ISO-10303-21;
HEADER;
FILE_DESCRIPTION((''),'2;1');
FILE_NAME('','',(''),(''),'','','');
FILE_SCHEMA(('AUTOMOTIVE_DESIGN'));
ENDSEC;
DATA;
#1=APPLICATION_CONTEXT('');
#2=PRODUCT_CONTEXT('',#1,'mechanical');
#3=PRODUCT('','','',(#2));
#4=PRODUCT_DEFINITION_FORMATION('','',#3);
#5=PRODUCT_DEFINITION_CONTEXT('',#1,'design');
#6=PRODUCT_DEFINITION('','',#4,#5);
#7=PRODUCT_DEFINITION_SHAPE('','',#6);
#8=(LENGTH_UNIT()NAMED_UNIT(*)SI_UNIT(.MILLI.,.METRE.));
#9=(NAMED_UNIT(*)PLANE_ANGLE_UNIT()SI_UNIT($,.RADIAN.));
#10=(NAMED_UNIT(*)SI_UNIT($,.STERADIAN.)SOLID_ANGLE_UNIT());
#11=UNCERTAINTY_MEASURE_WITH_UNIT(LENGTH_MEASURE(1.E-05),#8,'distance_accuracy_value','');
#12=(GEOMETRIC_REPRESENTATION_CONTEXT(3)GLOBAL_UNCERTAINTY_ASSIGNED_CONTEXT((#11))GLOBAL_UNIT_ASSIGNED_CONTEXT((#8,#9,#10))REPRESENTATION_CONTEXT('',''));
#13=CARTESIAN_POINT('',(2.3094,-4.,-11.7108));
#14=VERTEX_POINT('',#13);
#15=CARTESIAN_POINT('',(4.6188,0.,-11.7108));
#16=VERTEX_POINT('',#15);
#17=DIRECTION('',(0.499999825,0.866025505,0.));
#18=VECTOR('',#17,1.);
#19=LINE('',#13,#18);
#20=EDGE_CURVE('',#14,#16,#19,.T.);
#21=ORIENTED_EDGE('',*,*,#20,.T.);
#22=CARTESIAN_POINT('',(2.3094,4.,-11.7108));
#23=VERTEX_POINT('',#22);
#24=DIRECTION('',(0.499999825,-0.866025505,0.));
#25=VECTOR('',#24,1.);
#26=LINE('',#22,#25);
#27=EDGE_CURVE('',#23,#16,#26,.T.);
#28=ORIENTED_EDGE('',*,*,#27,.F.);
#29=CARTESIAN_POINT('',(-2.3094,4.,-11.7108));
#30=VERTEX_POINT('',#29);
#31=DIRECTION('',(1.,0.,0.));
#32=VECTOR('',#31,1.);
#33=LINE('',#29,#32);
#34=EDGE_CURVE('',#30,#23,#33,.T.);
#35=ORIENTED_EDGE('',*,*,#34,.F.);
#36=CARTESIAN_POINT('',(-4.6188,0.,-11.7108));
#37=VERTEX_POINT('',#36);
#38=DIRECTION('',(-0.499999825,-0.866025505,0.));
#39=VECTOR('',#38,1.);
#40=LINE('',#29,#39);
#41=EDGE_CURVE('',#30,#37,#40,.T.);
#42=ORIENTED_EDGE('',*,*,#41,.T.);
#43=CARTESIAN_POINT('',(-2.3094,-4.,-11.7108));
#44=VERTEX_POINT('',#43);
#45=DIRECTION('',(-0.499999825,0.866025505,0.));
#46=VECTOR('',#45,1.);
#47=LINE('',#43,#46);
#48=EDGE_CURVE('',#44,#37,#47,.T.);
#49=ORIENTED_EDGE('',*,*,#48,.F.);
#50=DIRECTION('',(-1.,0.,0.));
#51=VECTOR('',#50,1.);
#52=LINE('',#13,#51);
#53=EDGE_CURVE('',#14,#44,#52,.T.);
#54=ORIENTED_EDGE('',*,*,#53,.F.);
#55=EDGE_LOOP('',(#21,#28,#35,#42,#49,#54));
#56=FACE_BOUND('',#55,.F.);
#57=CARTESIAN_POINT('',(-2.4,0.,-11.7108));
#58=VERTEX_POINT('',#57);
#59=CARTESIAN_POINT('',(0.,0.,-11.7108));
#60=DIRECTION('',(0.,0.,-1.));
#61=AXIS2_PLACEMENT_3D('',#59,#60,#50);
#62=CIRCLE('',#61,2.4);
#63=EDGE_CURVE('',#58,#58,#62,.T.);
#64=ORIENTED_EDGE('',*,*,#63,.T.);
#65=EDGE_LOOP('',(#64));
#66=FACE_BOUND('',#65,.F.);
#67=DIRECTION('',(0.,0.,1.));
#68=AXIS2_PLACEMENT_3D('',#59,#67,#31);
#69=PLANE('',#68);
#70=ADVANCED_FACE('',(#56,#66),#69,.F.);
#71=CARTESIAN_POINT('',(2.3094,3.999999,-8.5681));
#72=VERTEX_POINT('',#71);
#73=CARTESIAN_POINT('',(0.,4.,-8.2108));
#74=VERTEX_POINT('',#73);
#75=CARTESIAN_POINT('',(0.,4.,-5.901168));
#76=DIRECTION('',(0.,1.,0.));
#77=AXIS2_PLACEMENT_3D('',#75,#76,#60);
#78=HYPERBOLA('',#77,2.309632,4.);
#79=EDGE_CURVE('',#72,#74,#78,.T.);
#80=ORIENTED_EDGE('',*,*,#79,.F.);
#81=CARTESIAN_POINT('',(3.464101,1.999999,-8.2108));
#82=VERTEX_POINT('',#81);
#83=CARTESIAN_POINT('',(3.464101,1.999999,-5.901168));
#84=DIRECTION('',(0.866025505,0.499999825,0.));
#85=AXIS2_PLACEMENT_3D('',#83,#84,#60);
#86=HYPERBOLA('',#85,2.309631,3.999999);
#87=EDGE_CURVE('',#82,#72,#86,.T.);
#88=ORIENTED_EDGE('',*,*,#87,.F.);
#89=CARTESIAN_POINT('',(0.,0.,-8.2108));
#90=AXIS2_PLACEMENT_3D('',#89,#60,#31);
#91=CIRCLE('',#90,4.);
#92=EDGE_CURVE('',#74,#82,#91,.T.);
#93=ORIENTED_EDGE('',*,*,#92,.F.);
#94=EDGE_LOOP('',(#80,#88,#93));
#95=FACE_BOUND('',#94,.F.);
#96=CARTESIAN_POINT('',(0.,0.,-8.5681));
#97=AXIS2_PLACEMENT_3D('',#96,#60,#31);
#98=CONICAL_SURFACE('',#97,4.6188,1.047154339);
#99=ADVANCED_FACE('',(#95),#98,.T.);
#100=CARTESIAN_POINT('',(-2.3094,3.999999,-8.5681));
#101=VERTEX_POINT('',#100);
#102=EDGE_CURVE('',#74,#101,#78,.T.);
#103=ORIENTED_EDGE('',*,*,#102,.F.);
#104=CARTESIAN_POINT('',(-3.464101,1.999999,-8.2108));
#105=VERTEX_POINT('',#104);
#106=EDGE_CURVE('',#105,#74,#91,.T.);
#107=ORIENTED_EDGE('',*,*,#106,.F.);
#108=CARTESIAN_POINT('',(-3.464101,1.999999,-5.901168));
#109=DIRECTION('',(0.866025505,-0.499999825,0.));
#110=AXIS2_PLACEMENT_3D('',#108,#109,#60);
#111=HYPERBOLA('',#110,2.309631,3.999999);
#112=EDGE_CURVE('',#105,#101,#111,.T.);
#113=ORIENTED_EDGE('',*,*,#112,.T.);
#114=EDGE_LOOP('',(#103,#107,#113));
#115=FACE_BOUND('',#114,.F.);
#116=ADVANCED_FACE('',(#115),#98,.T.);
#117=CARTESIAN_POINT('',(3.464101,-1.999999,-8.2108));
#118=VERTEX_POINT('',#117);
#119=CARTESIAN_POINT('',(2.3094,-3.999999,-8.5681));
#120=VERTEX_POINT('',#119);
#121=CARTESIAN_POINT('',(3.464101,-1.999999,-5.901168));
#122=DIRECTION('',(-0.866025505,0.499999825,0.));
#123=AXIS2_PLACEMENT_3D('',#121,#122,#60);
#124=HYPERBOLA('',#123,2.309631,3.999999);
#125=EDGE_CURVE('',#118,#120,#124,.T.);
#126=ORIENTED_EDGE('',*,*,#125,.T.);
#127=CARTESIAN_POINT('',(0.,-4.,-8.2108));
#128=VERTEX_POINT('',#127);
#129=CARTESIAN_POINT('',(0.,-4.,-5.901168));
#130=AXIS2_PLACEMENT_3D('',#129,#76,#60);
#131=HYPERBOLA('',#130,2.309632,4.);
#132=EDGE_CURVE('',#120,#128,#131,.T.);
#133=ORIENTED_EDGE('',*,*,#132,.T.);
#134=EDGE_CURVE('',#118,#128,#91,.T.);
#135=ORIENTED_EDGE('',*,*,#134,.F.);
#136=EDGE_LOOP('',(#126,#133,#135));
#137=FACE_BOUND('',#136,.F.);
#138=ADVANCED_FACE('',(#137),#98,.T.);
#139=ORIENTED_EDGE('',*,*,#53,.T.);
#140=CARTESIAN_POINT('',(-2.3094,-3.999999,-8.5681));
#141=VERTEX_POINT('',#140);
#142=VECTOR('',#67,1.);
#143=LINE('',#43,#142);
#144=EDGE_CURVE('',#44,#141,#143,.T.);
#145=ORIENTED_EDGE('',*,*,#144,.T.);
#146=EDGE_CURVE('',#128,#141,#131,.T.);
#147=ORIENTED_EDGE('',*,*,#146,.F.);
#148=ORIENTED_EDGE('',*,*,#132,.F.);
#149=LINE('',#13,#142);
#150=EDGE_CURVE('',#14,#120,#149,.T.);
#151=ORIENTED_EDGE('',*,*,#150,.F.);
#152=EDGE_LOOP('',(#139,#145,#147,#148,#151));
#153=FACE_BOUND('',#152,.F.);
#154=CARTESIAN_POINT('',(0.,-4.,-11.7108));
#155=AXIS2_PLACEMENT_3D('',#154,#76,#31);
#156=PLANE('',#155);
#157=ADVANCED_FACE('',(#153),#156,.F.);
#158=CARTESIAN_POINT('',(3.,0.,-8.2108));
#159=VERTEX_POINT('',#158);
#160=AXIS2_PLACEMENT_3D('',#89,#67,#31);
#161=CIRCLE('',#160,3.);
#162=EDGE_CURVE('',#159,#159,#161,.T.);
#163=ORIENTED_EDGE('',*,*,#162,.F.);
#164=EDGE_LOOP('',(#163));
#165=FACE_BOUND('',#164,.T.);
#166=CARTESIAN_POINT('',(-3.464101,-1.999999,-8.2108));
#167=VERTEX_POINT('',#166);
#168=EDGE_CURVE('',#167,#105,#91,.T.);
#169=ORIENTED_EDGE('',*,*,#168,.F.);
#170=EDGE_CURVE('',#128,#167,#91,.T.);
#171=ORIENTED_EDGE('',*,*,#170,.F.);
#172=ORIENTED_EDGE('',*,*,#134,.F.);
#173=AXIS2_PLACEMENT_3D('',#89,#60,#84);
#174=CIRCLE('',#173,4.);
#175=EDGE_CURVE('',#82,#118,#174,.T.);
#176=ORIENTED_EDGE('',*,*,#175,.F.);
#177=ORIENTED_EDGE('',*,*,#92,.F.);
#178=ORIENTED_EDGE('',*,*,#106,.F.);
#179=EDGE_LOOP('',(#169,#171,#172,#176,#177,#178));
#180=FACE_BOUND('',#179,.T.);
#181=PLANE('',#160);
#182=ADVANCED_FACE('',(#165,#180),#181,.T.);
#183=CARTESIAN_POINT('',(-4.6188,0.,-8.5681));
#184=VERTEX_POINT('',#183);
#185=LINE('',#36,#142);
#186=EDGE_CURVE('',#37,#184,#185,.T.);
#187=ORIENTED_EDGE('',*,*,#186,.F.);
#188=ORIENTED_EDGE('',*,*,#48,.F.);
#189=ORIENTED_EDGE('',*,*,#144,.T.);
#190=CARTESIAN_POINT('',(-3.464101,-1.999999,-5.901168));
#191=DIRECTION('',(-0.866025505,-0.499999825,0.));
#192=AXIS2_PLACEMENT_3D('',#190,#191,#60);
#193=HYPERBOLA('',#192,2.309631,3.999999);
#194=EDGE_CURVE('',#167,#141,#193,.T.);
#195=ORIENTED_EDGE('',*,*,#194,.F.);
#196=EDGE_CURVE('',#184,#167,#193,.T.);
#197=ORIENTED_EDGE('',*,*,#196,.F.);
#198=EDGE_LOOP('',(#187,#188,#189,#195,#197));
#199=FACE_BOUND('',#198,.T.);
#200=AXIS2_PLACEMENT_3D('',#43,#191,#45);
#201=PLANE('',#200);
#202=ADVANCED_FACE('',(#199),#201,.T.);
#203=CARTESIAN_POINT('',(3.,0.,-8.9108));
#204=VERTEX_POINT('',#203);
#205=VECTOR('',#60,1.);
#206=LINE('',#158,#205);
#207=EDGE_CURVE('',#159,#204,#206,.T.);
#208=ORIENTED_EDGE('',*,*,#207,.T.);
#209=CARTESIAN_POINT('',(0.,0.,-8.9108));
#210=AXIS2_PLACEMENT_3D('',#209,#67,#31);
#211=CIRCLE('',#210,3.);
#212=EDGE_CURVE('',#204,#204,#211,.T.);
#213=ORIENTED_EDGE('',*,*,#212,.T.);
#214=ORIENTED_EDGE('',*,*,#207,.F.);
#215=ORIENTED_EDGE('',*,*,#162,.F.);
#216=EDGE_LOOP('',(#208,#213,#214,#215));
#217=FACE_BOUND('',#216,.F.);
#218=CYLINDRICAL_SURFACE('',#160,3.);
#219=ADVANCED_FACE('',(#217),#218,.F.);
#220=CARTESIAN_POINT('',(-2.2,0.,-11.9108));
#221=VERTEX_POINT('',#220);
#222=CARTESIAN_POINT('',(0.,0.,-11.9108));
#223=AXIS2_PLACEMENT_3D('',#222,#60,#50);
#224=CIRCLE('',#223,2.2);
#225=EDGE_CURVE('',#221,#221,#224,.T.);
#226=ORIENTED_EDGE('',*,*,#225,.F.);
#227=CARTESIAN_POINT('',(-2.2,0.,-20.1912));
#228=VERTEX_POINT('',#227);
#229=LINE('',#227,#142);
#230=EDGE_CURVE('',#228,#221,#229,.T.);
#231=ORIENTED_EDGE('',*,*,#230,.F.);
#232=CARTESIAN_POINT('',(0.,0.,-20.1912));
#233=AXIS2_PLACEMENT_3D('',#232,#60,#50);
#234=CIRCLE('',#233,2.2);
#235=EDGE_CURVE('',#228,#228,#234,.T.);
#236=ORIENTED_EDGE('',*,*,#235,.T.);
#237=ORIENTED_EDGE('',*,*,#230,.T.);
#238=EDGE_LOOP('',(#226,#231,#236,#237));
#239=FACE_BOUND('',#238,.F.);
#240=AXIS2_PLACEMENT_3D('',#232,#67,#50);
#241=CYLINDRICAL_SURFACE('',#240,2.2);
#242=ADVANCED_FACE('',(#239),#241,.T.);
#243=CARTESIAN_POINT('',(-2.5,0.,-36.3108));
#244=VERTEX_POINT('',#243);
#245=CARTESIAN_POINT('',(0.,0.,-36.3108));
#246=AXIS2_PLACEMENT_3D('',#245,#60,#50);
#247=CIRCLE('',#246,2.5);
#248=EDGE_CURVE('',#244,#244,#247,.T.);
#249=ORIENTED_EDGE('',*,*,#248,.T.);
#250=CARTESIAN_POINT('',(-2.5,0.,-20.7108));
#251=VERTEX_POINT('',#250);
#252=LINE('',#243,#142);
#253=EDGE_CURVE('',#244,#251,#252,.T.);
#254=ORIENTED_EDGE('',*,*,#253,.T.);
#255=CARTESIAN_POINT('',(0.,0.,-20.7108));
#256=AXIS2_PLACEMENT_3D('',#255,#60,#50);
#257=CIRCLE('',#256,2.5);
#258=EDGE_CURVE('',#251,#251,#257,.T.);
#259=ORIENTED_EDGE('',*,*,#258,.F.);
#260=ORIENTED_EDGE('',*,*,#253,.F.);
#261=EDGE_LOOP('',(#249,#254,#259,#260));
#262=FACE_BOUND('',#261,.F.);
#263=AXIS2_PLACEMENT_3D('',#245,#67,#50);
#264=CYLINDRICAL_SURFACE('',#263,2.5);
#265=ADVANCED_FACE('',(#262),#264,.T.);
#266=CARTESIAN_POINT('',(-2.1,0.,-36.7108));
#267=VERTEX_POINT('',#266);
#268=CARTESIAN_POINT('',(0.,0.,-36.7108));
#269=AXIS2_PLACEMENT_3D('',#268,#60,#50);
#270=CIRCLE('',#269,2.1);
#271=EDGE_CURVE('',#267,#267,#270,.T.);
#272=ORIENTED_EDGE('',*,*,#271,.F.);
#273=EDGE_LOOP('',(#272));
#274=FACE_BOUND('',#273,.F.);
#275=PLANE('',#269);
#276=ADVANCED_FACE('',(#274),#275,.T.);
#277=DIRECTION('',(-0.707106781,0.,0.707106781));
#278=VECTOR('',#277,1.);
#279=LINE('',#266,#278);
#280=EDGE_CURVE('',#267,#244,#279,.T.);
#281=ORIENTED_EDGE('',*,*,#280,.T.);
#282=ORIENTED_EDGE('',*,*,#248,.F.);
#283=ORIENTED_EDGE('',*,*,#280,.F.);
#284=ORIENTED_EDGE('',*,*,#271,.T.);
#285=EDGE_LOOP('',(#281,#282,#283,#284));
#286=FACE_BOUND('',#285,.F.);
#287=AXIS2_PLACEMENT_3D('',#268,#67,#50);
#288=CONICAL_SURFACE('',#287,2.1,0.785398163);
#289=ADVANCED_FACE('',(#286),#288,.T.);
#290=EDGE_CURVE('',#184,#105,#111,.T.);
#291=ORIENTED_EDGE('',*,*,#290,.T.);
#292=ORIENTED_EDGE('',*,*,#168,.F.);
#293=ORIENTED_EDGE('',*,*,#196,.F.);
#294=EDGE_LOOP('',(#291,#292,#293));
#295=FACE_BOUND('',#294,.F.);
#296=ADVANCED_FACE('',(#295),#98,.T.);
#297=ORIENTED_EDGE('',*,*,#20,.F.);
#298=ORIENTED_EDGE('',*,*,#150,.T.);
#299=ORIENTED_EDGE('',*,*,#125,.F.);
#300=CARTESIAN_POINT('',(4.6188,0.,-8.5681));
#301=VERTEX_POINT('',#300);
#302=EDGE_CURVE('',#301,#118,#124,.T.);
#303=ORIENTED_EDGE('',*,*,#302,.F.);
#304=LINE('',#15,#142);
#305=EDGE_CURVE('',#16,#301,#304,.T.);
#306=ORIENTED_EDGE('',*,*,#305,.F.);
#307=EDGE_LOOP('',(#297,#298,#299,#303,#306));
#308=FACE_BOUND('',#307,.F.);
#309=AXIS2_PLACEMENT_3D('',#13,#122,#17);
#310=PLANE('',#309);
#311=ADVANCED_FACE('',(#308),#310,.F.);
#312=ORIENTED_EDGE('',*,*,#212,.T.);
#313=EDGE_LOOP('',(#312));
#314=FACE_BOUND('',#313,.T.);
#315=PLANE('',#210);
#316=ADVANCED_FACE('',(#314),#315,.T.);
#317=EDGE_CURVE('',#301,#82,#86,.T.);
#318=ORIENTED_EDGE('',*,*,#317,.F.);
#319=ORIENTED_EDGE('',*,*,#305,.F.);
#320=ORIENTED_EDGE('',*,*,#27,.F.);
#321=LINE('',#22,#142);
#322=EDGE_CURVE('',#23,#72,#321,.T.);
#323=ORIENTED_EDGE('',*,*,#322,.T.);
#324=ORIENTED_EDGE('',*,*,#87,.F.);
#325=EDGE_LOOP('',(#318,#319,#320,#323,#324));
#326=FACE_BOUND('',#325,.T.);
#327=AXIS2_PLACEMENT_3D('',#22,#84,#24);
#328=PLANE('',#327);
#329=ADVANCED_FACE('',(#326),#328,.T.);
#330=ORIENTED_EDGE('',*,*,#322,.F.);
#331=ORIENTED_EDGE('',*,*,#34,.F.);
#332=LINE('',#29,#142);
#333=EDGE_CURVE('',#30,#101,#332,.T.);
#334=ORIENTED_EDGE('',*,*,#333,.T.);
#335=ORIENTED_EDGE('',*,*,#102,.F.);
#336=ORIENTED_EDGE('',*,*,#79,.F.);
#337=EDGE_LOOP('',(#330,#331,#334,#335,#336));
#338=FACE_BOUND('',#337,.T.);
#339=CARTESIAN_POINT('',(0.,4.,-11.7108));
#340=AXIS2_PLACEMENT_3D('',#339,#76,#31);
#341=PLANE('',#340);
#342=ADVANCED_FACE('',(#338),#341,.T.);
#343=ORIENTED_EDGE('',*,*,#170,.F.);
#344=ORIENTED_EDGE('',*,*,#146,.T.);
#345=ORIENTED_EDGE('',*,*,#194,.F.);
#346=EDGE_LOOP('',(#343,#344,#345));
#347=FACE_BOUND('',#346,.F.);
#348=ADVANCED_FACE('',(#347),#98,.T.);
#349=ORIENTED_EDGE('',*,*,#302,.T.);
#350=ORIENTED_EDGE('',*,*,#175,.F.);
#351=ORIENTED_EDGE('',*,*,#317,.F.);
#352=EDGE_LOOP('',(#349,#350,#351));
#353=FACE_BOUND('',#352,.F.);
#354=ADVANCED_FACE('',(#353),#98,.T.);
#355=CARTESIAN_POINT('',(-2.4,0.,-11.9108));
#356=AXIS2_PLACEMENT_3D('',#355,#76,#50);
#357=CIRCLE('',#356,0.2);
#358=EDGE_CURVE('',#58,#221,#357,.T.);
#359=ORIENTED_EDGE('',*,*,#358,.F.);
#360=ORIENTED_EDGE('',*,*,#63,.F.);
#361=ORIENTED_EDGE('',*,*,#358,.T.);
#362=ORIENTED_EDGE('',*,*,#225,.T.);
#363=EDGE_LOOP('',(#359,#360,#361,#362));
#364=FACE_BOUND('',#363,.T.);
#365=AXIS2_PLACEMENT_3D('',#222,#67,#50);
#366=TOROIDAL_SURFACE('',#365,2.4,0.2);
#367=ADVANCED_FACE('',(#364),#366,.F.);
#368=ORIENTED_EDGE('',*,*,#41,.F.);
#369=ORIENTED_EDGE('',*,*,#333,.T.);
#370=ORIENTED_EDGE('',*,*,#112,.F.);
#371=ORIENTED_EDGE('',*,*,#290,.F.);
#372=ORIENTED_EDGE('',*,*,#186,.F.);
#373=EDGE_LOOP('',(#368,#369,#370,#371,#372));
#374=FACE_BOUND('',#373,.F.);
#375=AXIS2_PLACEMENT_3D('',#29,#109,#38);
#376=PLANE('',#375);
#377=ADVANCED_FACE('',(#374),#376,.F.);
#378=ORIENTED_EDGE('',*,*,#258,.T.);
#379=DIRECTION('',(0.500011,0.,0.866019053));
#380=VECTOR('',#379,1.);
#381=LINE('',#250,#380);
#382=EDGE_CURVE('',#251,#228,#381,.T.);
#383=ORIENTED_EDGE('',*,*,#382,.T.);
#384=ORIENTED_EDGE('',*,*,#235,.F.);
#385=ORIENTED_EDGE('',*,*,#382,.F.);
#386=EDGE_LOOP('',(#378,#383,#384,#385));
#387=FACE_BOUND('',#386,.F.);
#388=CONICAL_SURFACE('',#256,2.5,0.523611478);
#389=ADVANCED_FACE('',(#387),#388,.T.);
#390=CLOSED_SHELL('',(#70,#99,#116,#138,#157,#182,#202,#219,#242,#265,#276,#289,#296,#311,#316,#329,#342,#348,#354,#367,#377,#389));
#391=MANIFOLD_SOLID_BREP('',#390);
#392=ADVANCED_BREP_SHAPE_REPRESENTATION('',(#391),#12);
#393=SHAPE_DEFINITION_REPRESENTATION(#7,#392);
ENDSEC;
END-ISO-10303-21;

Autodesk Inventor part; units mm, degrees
ref_plane "YZ Plane" through (0, 0, 0) normal (1, 0, 0) x (0, 1, 0)
sketch "Sketch2" plane through (0, 0, 0) normal (0, 1, 0) x (-1, 0, 0)
  line L0 (0, -11.7108) -> (0, -36.7108)
  line L1 (0, -36.7108) -> (2.1, -36.7108)
  line L2 (2.5, -36.3108) -> (2.5, -20.7108)
  line L3 (2.5, -20.7108) -> (2.2, -20.1912)
  line L4 (2.2, -20.1912) -> (2.2, -11.7108)
  line L5 (2.2, -11.7108) -> (0, -11.7108)
  line L6 (2.1, -36.7108) -> (2.5, -36.3108)
  line L7 (2.5, -36.7108) -> (2.5, -37.2765)
  line L8 (0, -42.3897) -> (0, -6.5977) projected
  dimension "Ds" = 4.4
  dimension "NND" = 5
  dimension "b" = 16
  dimension "d3" = 30
  dimension "d5" = 45
  dimension "PTC" = 0.8
  dimension "NLG" = 25
revolve "Revolution1" add sketch "Sketch2" angle 360 about axis through (0, 0, -11.7108) along (0, 0, -1)
sketch "Sketch3" plane through (0, 0, -11.7108) normal (0, 0, 1) x (1, 0, 0)
  circle A0 centre (0, 0) radius 2.2 projected
  line L0 (0, 4) -> (2.3094, 4)
  line L1 (2.3094, 4) -> (4.6188, 0)
  line L2 (4.6188, 0) -> (0, 0)
  line L3 (0, 0) -> (0, 4)
  line L4 (0, 4) -> (-2.3094, 4)
  line L5 (-2.3094, 4) -> (-4.6188, 0)
  line L6 (0, -4) -> (2.3094, -4)
  line L7 (2.3094, -4) -> (4.6188, 0)
  line L8 (-2.3094, -4) -> (-4.6188, 0)
  line L9 (0, -4) -> (-2.3094, -4)
  dimension "d9" = 60
  dimension "ParS" = 8
  dimension "msp_d11" = 8
extrude "Extrusion1" add sketch "Sketch3" along normal blind 3.5
sketch "Sketch4" plane through (0, 0, 0) normal (0, 1, 0) x (-1, 0, 0)
  line L0 (-4, -8.2108) -> (-4.6188, -8.2108)
  line L1 (-4.6188, -8.2108) -> (-4.6188, -8.5681)
  line L2 (-4.6188, -8.5681) -> (-4, -8.2108)
  line L3 (0, -19.5602) -> (0, 35.3854) projected
  line L4 (0, 27.536) -> (0, 27.1787)
  line L5 (-4.6188, -11.7108) -> (-4.6188, -8.2108) projected
  line L6 (-2.3094, -8.2108) -> (-4.6188, -8.2108) projected
  dimension "d14" = 30
  dimension "msp_d15" = 8
revolve "Revolution2" cut sketch "Sketch4" angle 360 about axis through (0, 0, 27.536) along (0, 0, -1)
sketch "Sketch5" plane through (0, 0, -8.2108) normal (0, 0, 1) x (1, 0, 0)
  arc A0 (3.4641, 2) -> (0, 4) centre (0, 0) ccw projected
  circle A1 centre (0, 0) radius 3
  dimension "d27" = 6
extrude "Extrusion2" cut sketch "Sketch5" against normal blind 0.7
thread "Thread1" size "M5x0.8" class "6g" standard "ISO Metric profile" full length
ref_plane "MSC_PF1" through (0, 0, 0) normal (0, 1, 0) x (-1, 0, 0)
ref_plane "MSC_PT1" through (0, 0, -11.7108) normal (0, 0, -1) x (-1, 0, 0)
fillet "Fillet1" radius 0.2 1 edges at (2.2, 0, -11.7108)
equation "\"msp_d11\" = ParS"
equation "\"msp_d15\" = ParS"
equation "\"d27\" = 0.75 * ParS"
equation "\"d28\" = 0.2 * ParK"
equation "\"d30\" = r"
equation "\"msp_d17\" = b"
equation "\"r\" = 0.2"
equation "\"THREADDIA\" = NND"
equation "\"ParK\" = 3.5"
properties part number "ISO 4015 - M5 x 25" material "Stainless Steel, 440C"
